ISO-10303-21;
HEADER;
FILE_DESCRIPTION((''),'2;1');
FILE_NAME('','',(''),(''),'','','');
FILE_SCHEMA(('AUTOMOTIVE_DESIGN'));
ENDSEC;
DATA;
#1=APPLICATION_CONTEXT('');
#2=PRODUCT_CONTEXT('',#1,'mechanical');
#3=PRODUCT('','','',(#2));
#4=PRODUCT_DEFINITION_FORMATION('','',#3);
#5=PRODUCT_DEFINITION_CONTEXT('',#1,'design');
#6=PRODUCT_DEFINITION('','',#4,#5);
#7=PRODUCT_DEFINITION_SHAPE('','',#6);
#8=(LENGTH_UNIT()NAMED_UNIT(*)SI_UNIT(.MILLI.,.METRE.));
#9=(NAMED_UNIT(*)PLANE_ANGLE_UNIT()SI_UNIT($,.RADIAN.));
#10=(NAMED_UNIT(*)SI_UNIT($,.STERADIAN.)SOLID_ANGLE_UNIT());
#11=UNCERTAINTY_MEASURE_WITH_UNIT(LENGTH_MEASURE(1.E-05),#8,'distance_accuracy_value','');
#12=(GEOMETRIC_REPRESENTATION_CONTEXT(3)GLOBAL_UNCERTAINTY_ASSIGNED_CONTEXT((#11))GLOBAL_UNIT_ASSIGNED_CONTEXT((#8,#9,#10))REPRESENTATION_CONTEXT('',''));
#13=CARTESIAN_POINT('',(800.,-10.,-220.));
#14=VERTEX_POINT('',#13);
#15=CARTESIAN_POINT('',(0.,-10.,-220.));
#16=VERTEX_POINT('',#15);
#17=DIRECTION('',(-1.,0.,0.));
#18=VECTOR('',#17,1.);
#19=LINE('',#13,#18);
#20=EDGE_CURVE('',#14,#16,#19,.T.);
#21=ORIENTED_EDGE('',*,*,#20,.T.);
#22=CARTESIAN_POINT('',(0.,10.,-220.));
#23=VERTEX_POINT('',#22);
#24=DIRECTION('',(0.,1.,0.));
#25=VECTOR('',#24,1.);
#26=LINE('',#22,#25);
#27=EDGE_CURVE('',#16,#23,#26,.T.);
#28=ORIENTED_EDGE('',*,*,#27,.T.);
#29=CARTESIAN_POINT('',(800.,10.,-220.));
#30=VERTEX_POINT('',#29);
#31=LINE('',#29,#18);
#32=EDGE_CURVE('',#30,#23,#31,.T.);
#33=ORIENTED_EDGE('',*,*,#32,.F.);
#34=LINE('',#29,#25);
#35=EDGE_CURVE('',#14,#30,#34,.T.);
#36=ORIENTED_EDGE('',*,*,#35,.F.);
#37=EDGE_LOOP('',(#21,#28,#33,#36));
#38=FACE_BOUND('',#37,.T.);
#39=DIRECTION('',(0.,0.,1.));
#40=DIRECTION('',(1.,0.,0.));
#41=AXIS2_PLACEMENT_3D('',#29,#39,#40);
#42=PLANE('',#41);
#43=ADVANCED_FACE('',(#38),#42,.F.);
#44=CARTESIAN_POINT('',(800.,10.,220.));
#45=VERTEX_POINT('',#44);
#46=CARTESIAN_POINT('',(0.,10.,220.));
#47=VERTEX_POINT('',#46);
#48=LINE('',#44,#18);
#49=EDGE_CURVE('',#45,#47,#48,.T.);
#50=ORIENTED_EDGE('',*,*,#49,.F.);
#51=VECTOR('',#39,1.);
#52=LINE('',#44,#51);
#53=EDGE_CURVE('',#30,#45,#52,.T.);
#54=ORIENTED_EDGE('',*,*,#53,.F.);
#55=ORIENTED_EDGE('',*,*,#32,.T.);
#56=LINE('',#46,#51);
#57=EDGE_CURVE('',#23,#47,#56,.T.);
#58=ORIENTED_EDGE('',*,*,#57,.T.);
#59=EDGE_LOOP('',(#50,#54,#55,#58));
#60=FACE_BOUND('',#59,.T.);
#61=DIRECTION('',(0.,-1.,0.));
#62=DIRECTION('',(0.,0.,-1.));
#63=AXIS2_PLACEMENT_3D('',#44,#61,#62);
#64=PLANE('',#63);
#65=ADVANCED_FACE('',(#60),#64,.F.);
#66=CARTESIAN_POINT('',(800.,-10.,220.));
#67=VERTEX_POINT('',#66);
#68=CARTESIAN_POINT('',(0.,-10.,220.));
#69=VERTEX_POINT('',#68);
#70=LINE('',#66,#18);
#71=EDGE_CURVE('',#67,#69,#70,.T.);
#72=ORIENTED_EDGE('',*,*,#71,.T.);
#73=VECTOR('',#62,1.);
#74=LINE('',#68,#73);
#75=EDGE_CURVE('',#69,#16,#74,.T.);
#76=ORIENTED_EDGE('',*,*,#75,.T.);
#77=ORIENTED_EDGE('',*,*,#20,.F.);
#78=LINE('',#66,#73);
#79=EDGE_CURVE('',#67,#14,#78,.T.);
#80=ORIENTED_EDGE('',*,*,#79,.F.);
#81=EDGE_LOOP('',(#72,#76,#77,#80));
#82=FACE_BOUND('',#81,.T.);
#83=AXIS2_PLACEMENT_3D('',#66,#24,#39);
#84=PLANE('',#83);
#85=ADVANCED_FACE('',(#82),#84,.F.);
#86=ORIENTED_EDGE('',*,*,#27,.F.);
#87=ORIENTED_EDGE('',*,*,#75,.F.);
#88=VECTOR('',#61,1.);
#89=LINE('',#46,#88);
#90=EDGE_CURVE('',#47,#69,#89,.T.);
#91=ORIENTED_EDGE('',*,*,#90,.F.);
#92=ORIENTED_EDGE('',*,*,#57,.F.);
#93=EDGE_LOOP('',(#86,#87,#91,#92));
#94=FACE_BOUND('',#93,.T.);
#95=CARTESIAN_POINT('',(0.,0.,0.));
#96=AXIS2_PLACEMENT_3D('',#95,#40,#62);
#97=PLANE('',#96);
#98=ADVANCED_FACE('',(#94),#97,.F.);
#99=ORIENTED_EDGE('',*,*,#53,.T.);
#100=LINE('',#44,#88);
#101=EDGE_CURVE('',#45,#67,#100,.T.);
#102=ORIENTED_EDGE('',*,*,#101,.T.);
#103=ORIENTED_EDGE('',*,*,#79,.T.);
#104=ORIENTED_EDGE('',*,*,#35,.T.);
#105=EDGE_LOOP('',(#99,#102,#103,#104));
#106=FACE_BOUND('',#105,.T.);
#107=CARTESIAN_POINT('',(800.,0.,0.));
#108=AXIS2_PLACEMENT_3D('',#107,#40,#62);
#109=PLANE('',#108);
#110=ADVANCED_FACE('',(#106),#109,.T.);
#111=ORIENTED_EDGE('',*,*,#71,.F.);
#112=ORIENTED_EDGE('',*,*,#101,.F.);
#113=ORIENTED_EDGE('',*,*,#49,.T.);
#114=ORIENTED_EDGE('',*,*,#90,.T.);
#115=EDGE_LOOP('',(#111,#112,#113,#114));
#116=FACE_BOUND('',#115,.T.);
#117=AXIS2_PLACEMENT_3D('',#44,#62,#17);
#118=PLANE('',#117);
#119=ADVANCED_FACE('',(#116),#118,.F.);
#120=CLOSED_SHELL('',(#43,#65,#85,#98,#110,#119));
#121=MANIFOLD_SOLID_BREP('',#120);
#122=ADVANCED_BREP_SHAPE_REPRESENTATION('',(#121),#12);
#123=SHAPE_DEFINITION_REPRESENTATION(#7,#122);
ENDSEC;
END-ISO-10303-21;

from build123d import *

# Parameters (mm, degrees)
ESQUISSE1_W        = 440
ESQUISSE1_H        = 20
BOSS_EXTRU_1_DEPTH = 800


with BuildPart() as part:
    # Esquisse1 → Boss.-Extru.1 (new body)
    with BuildSketch(Plane(origin=(0, 0, 0), x_dir=(0, 0, -1), z_dir=(1, 0, 0))):
        Rectangle(ESQUISSE1_W, ESQUISSE1_H)
    extrude(amount=BOSS_EXTRU_1_DEPTH)


solid = part.part
